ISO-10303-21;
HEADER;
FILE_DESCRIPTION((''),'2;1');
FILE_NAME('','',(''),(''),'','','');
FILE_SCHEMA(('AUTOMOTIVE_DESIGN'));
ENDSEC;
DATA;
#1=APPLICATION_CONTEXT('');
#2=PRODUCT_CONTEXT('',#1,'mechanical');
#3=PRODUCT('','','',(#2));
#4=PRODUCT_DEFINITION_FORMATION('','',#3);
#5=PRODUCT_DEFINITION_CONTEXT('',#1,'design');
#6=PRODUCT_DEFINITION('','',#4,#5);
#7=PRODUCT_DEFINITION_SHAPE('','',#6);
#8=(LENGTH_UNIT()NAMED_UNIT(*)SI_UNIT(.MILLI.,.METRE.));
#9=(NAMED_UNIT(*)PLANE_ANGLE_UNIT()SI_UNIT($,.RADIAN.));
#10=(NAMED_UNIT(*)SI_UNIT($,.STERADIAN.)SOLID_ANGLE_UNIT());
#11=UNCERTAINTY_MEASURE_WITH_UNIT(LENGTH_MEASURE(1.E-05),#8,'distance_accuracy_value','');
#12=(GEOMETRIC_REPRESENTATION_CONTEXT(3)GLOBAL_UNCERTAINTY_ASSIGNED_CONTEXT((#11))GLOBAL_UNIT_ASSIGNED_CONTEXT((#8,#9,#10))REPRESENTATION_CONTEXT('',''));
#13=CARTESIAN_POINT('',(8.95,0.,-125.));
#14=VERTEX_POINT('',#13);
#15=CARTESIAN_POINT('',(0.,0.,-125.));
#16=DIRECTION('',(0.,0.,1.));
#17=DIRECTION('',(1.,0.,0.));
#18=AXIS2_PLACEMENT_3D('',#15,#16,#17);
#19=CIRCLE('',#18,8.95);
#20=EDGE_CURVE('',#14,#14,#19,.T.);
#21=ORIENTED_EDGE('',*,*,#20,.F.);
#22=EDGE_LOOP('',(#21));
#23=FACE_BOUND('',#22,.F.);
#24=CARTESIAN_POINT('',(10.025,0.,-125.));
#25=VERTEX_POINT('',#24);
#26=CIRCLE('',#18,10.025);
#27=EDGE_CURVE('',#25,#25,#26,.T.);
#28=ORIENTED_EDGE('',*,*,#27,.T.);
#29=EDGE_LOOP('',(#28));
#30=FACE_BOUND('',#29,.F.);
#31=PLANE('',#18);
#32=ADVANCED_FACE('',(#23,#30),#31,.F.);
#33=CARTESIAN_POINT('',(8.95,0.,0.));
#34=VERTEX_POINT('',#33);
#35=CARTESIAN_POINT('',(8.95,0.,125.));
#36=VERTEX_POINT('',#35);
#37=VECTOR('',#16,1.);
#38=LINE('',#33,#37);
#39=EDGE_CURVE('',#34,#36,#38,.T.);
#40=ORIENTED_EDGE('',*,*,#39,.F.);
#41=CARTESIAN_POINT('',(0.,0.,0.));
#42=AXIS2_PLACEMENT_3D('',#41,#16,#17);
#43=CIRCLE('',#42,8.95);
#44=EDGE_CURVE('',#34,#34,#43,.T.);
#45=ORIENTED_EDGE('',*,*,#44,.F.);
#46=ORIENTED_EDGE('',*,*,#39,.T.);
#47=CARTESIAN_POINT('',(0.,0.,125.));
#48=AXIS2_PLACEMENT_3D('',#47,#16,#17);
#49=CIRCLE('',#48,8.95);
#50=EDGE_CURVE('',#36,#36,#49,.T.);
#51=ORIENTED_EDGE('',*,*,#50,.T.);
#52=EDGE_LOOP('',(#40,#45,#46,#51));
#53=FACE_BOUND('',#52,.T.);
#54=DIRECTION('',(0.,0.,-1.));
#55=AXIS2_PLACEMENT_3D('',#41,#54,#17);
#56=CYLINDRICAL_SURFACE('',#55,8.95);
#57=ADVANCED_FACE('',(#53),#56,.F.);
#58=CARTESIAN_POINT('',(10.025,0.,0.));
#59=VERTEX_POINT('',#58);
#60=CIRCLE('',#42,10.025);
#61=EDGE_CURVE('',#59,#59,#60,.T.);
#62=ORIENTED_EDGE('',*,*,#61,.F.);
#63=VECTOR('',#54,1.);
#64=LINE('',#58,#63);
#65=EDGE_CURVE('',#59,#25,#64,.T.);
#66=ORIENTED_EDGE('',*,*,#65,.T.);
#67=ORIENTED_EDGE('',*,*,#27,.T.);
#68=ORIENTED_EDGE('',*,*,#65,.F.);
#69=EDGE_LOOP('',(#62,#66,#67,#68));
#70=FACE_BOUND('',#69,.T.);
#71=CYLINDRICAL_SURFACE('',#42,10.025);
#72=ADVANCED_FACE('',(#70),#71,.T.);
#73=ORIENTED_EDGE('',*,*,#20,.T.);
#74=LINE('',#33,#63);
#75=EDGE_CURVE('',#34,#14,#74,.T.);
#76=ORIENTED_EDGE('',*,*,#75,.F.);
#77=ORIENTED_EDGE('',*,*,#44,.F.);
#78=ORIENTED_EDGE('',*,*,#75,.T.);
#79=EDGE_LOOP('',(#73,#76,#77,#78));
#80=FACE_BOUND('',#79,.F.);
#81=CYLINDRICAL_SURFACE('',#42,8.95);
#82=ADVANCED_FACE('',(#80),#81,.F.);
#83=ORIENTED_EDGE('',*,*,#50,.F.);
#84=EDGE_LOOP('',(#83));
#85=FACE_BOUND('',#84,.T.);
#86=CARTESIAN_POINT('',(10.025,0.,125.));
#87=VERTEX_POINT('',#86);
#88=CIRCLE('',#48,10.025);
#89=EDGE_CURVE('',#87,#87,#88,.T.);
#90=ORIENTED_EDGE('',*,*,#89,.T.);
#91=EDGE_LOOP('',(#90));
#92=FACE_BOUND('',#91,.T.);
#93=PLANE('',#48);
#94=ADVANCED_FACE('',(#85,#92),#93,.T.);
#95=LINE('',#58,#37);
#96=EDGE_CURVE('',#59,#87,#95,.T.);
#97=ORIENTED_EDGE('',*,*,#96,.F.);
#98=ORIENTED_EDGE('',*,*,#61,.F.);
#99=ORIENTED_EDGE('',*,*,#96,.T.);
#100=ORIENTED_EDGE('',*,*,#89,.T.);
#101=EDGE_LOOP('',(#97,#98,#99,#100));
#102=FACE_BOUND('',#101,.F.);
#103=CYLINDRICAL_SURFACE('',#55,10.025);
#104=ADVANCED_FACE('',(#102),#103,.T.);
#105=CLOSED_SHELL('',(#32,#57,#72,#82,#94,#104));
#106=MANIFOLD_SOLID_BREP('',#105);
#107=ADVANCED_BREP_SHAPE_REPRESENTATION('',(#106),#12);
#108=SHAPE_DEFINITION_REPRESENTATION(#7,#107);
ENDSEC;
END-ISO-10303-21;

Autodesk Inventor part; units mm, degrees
ref_plane "YZ Plane" through (0, 0, 0) normal (1, 0, 0) x (0, 1, 0)
ref_plane "XZ Plane" through (0, 0, 0) normal (0, 1, 0) x (-1, 0, 0)
ref_plane "XY Plane" through (0, 0, 0) normal (0, 0, 1) x (1, 0, 0)
sketch "Sketch1" plane through (0, 0, 0) normal (0, 0, 1) x (1, 0, 0)
  circle A0 centre (0, 0) radius 8.95
  circle A1 centre (0, 0) radius 10.025
  dimension "RodInner" = 17.9
  dimension "RodDia" = 20.05
extrude "Extrusion1" add sketch "Sketch1" along normal mid plane 250
properties part number "ROD001 - Rod 20x18mm"
